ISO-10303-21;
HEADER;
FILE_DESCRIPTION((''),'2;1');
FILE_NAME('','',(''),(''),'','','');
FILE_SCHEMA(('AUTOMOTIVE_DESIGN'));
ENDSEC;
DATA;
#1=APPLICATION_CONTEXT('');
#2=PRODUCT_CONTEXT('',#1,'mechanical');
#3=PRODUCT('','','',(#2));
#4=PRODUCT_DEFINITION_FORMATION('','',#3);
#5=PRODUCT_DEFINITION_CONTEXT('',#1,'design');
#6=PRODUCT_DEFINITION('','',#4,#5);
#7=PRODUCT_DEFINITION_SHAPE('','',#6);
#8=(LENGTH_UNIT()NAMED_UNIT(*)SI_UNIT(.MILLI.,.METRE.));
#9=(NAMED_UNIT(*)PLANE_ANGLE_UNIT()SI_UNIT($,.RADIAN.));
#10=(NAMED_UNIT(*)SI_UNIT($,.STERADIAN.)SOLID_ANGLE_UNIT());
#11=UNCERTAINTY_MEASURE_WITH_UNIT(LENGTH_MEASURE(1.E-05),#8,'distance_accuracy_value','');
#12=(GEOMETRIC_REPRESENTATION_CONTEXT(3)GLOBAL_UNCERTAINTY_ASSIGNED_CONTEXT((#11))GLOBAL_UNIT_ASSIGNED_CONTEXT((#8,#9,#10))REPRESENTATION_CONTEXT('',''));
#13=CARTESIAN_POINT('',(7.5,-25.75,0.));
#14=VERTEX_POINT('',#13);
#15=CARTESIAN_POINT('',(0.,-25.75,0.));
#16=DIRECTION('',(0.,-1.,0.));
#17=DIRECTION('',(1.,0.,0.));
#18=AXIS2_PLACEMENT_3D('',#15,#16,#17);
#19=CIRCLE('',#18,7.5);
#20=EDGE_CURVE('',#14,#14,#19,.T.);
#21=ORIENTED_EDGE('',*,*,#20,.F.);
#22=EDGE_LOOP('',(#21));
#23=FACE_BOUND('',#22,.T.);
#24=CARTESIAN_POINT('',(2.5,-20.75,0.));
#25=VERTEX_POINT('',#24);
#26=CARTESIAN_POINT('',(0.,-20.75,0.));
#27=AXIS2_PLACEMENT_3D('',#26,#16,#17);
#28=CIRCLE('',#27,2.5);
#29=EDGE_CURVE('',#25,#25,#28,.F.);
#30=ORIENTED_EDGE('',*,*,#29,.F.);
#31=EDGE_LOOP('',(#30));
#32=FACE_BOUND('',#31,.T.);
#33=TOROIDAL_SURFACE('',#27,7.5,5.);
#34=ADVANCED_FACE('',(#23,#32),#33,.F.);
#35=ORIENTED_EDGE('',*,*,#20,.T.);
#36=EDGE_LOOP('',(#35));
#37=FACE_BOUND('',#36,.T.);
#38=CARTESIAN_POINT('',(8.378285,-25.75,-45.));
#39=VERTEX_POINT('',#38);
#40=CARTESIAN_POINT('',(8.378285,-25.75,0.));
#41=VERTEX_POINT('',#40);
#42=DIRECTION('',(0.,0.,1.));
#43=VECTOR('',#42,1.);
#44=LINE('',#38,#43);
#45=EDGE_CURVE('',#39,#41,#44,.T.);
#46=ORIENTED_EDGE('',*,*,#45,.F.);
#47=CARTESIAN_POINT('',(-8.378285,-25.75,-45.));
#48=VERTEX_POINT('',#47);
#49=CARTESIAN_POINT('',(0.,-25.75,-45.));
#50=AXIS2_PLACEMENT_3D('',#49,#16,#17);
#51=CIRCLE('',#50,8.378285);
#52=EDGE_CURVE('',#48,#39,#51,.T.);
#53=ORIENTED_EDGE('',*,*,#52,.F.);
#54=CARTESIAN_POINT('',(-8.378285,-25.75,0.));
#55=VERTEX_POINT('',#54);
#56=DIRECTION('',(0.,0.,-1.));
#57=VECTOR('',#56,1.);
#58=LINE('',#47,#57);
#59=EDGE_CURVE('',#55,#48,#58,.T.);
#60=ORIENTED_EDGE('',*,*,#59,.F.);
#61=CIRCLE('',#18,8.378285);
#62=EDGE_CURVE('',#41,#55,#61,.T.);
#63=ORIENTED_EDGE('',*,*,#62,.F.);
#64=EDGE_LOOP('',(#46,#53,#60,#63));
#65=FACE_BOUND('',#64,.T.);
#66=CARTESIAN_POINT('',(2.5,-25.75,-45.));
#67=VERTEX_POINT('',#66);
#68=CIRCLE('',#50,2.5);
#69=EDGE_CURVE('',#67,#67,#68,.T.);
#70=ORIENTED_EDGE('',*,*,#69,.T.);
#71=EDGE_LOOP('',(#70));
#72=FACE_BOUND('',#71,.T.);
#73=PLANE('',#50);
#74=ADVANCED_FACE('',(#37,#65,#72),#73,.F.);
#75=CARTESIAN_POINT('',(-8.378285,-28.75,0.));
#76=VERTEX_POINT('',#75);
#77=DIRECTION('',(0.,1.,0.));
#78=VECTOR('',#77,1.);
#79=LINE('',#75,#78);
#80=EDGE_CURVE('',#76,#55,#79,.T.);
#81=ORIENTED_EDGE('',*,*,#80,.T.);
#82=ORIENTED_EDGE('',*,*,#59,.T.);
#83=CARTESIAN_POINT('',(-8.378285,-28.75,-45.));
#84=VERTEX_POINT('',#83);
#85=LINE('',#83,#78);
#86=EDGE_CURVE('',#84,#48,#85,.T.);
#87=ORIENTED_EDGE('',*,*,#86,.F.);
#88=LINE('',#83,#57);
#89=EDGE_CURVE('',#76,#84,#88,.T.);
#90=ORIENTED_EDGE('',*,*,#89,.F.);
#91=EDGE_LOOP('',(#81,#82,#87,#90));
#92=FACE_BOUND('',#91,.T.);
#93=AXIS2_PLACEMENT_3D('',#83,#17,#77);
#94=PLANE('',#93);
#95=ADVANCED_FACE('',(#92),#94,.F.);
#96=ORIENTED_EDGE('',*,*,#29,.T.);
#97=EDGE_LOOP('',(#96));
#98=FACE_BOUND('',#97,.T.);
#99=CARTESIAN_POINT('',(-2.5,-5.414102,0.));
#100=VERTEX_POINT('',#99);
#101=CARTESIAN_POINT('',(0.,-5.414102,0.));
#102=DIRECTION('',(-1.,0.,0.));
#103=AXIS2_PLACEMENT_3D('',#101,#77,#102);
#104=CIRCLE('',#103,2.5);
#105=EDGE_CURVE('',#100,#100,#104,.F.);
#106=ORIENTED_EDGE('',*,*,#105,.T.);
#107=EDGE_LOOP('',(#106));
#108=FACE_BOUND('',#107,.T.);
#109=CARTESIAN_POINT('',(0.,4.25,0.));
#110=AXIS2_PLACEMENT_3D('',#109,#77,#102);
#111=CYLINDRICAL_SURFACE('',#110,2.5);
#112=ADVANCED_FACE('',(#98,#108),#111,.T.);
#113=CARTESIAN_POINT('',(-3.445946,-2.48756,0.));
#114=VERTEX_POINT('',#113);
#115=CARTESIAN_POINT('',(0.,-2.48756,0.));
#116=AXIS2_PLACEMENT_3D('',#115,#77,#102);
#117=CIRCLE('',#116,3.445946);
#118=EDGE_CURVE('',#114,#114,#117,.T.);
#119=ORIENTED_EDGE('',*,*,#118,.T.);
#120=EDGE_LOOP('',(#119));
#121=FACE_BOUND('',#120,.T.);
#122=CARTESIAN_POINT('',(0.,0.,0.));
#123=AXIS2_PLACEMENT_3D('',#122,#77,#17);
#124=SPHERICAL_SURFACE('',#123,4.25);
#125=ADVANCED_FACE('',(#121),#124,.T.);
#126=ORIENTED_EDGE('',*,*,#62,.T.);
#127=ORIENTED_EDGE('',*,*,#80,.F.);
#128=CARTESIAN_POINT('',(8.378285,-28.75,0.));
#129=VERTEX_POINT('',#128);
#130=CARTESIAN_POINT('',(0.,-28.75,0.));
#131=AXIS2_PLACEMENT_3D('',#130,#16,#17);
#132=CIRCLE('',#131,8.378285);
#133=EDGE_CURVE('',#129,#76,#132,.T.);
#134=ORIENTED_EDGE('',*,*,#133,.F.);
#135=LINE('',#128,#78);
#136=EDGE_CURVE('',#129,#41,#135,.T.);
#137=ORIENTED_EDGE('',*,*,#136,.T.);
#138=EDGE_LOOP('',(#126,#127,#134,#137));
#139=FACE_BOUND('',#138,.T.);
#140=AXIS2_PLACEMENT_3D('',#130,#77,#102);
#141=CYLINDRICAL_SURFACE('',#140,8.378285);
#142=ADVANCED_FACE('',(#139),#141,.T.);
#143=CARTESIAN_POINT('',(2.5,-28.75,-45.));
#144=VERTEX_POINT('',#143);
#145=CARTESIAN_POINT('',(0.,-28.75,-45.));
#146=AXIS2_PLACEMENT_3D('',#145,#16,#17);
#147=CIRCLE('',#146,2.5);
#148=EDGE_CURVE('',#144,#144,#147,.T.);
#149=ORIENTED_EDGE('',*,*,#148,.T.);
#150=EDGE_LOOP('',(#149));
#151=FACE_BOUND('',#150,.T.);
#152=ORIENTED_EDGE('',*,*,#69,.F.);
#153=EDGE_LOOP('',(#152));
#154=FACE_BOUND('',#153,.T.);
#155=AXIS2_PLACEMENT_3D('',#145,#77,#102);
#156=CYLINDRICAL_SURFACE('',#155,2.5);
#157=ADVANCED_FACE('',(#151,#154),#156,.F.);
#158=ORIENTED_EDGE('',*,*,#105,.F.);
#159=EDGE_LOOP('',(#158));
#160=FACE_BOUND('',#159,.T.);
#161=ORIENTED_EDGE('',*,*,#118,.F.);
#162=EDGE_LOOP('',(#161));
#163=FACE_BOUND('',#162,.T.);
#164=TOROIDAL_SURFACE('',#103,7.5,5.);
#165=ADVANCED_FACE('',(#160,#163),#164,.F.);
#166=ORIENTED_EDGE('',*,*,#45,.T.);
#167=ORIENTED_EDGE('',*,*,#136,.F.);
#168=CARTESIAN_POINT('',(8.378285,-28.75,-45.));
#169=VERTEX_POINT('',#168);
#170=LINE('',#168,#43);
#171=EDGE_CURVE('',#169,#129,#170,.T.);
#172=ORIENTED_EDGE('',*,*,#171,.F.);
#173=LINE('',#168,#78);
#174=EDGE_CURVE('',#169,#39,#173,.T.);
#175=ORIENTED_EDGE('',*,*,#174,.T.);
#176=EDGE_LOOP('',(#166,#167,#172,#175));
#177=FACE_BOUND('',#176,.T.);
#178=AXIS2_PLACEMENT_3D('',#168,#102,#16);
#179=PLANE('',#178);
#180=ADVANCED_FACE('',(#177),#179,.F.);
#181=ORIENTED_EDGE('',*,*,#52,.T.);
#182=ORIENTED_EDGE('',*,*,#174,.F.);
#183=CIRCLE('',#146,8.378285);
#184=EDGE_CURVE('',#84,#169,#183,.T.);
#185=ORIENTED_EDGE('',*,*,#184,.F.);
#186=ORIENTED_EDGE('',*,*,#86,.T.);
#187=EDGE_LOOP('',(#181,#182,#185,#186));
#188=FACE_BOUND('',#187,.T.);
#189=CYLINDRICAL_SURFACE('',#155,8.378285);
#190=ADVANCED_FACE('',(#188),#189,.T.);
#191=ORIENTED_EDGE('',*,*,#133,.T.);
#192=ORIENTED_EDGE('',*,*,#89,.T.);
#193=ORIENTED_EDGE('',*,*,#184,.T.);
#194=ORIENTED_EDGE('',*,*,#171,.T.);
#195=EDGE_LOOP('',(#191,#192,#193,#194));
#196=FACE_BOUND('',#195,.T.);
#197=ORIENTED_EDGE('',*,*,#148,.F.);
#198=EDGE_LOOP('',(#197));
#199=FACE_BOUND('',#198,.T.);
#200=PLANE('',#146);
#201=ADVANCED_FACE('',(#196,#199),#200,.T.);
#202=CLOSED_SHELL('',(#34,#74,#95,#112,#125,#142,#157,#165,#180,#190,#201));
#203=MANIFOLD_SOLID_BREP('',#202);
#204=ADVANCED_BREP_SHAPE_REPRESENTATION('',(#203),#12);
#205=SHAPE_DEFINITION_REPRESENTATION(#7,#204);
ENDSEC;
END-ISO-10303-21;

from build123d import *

# Parameters (mm, degrees)
SKETCH3_R           = 2.5
BOSS_EXTRUDE1_DEPTH = 3
FILLET1_R           = 5


with BuildPart() as part:
    # Sketch1 → Revolve1 (revolve)
    with BuildSketch(Plane.XY, mode=Mode.PRIVATE) as revolve1_sk:
        with BuildLine():
            Line((0, 4.25), (0, -25.75))
            Line((0, -25.75), (-2.5, -25.75))
            Line((-2.5, -25.75), (-2.5, -3.436931771))
            ThreePointArc((-2.5, -3.436931771), (-4.041624675, 1.314446646), (0, 4.25))
        make_face()
    revolve(revolve1_sk.sketch.rotate(Axis((0, 4.25, 0), (0, -1, 0)), 180), axis=Axis((0, 4.25, 0), (0, -1, 0)))

    # Sketch3 → Boss-Extrude1 (add)
    with BuildSketch(Plane(origin=(0, -25.75, 0), x_dir=(-1, 0, 0), z_dir=(0, -1, 0))):
        with BuildLine():
            Line((8.378284652, 45), (8.378284652, 0))
            ThreePointArc((8.378284652, 0), (0, -8.378284652), (-8.378284652, 0))
            Line((-8.378284652, 0), (-8.378284652, 45))
            ThreePointArc((-8.378284652, 45), (0, 53.378284652), (8.378284652, 45))
        make_face()
        with Locations(Location((0, 45, 0), (0, 0, 180))):
            Circle(SKETCH3_R, mode=Mode.SUBTRACT)
    extrude(amount=BOSS_EXTRUDE1_DEPTH)

    # Fillet1
    fillet1_edges = [part.edges().sort_by_distance(p)[0] for p in [
        (-2.5, -25.75, 0),
        (-2.5, -3.436931771, 0),
    ]]
    fillet(fillet1_edges, radius=FILLET1_R)


solid = part.part
